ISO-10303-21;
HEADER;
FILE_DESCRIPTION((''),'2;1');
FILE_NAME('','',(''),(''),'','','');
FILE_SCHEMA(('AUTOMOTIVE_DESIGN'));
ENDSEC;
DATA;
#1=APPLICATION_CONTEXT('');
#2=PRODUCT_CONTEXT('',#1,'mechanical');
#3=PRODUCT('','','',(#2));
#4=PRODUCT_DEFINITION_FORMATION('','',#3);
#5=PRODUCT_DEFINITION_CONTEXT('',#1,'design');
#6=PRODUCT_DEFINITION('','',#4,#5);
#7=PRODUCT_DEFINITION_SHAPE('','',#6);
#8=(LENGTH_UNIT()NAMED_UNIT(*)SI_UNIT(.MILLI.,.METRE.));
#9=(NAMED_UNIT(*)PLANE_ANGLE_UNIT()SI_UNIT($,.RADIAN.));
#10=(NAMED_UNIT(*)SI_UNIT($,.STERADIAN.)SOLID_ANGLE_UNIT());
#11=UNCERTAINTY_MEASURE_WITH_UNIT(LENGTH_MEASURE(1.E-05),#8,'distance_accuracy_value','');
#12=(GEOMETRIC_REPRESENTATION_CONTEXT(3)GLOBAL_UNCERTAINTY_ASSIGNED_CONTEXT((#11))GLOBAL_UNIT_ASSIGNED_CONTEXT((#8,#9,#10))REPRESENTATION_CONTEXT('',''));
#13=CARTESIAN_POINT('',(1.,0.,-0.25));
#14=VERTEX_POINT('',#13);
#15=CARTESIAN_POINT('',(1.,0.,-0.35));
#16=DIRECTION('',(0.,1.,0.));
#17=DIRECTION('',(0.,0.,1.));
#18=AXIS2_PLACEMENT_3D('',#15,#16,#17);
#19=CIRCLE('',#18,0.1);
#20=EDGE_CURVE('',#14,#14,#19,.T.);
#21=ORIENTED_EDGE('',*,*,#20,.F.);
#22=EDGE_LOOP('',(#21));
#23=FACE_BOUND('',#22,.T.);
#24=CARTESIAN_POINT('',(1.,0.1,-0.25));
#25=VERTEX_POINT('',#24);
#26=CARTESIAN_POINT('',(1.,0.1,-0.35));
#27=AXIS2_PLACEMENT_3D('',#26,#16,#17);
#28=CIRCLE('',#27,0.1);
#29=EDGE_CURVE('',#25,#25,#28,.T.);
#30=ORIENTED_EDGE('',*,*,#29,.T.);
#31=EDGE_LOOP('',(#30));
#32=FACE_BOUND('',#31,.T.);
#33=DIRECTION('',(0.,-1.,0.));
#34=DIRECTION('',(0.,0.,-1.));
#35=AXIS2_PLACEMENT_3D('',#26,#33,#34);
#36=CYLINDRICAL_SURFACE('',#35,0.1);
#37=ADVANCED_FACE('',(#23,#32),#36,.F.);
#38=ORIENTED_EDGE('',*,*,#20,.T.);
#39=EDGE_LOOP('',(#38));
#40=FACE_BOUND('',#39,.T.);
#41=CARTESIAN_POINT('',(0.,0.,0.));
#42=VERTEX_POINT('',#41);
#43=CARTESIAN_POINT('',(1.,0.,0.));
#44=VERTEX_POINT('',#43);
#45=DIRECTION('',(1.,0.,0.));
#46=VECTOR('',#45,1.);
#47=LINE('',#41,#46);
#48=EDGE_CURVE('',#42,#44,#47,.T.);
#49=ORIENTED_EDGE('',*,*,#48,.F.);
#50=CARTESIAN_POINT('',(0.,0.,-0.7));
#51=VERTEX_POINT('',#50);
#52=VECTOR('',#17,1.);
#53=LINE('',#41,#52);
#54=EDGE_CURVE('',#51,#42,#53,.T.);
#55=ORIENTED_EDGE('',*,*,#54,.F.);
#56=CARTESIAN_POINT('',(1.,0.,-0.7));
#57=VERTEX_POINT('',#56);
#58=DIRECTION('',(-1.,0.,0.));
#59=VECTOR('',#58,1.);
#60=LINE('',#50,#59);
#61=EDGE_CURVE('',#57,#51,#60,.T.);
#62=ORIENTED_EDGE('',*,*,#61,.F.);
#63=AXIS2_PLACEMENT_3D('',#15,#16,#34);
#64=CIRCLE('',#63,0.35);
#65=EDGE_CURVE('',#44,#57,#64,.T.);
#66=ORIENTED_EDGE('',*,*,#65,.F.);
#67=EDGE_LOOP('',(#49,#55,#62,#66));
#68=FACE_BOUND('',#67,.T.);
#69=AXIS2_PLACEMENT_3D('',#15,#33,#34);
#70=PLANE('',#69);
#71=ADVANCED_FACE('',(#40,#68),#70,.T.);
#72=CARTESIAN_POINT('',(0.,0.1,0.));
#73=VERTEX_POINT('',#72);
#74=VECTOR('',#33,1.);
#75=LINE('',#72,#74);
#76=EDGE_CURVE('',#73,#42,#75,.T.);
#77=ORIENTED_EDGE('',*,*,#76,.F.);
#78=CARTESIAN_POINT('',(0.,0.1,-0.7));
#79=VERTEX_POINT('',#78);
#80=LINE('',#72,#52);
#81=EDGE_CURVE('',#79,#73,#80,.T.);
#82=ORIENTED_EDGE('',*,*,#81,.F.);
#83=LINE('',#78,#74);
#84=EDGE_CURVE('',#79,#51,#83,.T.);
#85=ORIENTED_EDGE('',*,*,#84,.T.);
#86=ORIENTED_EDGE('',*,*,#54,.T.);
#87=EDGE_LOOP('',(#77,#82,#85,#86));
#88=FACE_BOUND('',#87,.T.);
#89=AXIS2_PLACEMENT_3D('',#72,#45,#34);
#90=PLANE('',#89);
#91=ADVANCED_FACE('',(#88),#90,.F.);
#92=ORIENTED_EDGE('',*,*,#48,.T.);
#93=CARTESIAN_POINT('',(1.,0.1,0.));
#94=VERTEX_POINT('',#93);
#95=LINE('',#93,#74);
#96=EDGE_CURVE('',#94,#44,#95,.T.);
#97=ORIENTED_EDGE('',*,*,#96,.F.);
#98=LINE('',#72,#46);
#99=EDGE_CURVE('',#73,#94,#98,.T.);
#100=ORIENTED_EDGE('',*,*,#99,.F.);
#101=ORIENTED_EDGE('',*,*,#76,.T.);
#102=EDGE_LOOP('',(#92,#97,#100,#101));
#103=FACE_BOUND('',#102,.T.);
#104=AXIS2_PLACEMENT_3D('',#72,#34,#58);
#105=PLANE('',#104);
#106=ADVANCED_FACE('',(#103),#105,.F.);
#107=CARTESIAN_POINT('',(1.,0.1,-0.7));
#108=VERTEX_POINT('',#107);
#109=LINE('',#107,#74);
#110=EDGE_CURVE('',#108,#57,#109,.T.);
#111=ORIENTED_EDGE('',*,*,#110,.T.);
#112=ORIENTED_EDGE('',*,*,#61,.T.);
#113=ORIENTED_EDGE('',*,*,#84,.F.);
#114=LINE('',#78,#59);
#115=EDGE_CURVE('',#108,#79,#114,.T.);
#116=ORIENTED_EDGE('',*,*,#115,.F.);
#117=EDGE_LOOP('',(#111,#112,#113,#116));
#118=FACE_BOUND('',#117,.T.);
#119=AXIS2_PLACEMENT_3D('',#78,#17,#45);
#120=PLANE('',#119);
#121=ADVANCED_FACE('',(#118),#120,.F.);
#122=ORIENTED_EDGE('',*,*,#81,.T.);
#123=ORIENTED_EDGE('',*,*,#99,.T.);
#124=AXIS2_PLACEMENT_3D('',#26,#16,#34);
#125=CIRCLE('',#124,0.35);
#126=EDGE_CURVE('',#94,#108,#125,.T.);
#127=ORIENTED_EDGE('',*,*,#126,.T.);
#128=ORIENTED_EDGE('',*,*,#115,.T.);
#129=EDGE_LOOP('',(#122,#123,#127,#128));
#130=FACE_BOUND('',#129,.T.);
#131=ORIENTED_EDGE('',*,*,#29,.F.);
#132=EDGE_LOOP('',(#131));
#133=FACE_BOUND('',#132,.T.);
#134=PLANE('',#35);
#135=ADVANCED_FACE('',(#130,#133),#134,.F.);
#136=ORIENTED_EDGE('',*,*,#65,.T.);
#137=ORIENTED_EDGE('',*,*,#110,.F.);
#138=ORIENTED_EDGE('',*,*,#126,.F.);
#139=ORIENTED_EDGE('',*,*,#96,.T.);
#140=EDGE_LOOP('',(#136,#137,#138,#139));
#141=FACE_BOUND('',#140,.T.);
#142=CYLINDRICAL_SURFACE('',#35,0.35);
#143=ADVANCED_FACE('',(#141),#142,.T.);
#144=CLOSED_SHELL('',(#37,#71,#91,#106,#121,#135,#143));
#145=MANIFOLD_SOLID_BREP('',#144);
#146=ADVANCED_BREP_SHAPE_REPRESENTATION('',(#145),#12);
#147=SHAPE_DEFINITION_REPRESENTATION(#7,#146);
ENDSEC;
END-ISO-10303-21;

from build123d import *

# Parameters (mm, degrees)
SKETCH1_R           = 0.1
BOSS_EXTRUDE1_DEPTH = 0.1


with BuildPart() as part:
    # Sketch1 → Boss-Extrude1 (new body)
    with BuildSketch(Plane(origin=(0, 0, 0), x_dir=(1, 0, 0), z_dir=(0, 1, 0))):
        with BuildLine():
            Line((0, 0), (0, 0.7))
            Line((0, 0.7), (1, 0.7))
            ThreePointArc((1, 0.7), (1.35, 0.35), (1, 0))
            Line((1, 0), (0, 0))
        make_face()
        with Locations(Location((1, 0.35, 0), (0, 0, 270))):
            Circle(SKETCH1_R, mode=Mode.SUBTRACT)
    extrude(amount=BOSS_EXTRUDE1_DEPTH)


solid = part.part
